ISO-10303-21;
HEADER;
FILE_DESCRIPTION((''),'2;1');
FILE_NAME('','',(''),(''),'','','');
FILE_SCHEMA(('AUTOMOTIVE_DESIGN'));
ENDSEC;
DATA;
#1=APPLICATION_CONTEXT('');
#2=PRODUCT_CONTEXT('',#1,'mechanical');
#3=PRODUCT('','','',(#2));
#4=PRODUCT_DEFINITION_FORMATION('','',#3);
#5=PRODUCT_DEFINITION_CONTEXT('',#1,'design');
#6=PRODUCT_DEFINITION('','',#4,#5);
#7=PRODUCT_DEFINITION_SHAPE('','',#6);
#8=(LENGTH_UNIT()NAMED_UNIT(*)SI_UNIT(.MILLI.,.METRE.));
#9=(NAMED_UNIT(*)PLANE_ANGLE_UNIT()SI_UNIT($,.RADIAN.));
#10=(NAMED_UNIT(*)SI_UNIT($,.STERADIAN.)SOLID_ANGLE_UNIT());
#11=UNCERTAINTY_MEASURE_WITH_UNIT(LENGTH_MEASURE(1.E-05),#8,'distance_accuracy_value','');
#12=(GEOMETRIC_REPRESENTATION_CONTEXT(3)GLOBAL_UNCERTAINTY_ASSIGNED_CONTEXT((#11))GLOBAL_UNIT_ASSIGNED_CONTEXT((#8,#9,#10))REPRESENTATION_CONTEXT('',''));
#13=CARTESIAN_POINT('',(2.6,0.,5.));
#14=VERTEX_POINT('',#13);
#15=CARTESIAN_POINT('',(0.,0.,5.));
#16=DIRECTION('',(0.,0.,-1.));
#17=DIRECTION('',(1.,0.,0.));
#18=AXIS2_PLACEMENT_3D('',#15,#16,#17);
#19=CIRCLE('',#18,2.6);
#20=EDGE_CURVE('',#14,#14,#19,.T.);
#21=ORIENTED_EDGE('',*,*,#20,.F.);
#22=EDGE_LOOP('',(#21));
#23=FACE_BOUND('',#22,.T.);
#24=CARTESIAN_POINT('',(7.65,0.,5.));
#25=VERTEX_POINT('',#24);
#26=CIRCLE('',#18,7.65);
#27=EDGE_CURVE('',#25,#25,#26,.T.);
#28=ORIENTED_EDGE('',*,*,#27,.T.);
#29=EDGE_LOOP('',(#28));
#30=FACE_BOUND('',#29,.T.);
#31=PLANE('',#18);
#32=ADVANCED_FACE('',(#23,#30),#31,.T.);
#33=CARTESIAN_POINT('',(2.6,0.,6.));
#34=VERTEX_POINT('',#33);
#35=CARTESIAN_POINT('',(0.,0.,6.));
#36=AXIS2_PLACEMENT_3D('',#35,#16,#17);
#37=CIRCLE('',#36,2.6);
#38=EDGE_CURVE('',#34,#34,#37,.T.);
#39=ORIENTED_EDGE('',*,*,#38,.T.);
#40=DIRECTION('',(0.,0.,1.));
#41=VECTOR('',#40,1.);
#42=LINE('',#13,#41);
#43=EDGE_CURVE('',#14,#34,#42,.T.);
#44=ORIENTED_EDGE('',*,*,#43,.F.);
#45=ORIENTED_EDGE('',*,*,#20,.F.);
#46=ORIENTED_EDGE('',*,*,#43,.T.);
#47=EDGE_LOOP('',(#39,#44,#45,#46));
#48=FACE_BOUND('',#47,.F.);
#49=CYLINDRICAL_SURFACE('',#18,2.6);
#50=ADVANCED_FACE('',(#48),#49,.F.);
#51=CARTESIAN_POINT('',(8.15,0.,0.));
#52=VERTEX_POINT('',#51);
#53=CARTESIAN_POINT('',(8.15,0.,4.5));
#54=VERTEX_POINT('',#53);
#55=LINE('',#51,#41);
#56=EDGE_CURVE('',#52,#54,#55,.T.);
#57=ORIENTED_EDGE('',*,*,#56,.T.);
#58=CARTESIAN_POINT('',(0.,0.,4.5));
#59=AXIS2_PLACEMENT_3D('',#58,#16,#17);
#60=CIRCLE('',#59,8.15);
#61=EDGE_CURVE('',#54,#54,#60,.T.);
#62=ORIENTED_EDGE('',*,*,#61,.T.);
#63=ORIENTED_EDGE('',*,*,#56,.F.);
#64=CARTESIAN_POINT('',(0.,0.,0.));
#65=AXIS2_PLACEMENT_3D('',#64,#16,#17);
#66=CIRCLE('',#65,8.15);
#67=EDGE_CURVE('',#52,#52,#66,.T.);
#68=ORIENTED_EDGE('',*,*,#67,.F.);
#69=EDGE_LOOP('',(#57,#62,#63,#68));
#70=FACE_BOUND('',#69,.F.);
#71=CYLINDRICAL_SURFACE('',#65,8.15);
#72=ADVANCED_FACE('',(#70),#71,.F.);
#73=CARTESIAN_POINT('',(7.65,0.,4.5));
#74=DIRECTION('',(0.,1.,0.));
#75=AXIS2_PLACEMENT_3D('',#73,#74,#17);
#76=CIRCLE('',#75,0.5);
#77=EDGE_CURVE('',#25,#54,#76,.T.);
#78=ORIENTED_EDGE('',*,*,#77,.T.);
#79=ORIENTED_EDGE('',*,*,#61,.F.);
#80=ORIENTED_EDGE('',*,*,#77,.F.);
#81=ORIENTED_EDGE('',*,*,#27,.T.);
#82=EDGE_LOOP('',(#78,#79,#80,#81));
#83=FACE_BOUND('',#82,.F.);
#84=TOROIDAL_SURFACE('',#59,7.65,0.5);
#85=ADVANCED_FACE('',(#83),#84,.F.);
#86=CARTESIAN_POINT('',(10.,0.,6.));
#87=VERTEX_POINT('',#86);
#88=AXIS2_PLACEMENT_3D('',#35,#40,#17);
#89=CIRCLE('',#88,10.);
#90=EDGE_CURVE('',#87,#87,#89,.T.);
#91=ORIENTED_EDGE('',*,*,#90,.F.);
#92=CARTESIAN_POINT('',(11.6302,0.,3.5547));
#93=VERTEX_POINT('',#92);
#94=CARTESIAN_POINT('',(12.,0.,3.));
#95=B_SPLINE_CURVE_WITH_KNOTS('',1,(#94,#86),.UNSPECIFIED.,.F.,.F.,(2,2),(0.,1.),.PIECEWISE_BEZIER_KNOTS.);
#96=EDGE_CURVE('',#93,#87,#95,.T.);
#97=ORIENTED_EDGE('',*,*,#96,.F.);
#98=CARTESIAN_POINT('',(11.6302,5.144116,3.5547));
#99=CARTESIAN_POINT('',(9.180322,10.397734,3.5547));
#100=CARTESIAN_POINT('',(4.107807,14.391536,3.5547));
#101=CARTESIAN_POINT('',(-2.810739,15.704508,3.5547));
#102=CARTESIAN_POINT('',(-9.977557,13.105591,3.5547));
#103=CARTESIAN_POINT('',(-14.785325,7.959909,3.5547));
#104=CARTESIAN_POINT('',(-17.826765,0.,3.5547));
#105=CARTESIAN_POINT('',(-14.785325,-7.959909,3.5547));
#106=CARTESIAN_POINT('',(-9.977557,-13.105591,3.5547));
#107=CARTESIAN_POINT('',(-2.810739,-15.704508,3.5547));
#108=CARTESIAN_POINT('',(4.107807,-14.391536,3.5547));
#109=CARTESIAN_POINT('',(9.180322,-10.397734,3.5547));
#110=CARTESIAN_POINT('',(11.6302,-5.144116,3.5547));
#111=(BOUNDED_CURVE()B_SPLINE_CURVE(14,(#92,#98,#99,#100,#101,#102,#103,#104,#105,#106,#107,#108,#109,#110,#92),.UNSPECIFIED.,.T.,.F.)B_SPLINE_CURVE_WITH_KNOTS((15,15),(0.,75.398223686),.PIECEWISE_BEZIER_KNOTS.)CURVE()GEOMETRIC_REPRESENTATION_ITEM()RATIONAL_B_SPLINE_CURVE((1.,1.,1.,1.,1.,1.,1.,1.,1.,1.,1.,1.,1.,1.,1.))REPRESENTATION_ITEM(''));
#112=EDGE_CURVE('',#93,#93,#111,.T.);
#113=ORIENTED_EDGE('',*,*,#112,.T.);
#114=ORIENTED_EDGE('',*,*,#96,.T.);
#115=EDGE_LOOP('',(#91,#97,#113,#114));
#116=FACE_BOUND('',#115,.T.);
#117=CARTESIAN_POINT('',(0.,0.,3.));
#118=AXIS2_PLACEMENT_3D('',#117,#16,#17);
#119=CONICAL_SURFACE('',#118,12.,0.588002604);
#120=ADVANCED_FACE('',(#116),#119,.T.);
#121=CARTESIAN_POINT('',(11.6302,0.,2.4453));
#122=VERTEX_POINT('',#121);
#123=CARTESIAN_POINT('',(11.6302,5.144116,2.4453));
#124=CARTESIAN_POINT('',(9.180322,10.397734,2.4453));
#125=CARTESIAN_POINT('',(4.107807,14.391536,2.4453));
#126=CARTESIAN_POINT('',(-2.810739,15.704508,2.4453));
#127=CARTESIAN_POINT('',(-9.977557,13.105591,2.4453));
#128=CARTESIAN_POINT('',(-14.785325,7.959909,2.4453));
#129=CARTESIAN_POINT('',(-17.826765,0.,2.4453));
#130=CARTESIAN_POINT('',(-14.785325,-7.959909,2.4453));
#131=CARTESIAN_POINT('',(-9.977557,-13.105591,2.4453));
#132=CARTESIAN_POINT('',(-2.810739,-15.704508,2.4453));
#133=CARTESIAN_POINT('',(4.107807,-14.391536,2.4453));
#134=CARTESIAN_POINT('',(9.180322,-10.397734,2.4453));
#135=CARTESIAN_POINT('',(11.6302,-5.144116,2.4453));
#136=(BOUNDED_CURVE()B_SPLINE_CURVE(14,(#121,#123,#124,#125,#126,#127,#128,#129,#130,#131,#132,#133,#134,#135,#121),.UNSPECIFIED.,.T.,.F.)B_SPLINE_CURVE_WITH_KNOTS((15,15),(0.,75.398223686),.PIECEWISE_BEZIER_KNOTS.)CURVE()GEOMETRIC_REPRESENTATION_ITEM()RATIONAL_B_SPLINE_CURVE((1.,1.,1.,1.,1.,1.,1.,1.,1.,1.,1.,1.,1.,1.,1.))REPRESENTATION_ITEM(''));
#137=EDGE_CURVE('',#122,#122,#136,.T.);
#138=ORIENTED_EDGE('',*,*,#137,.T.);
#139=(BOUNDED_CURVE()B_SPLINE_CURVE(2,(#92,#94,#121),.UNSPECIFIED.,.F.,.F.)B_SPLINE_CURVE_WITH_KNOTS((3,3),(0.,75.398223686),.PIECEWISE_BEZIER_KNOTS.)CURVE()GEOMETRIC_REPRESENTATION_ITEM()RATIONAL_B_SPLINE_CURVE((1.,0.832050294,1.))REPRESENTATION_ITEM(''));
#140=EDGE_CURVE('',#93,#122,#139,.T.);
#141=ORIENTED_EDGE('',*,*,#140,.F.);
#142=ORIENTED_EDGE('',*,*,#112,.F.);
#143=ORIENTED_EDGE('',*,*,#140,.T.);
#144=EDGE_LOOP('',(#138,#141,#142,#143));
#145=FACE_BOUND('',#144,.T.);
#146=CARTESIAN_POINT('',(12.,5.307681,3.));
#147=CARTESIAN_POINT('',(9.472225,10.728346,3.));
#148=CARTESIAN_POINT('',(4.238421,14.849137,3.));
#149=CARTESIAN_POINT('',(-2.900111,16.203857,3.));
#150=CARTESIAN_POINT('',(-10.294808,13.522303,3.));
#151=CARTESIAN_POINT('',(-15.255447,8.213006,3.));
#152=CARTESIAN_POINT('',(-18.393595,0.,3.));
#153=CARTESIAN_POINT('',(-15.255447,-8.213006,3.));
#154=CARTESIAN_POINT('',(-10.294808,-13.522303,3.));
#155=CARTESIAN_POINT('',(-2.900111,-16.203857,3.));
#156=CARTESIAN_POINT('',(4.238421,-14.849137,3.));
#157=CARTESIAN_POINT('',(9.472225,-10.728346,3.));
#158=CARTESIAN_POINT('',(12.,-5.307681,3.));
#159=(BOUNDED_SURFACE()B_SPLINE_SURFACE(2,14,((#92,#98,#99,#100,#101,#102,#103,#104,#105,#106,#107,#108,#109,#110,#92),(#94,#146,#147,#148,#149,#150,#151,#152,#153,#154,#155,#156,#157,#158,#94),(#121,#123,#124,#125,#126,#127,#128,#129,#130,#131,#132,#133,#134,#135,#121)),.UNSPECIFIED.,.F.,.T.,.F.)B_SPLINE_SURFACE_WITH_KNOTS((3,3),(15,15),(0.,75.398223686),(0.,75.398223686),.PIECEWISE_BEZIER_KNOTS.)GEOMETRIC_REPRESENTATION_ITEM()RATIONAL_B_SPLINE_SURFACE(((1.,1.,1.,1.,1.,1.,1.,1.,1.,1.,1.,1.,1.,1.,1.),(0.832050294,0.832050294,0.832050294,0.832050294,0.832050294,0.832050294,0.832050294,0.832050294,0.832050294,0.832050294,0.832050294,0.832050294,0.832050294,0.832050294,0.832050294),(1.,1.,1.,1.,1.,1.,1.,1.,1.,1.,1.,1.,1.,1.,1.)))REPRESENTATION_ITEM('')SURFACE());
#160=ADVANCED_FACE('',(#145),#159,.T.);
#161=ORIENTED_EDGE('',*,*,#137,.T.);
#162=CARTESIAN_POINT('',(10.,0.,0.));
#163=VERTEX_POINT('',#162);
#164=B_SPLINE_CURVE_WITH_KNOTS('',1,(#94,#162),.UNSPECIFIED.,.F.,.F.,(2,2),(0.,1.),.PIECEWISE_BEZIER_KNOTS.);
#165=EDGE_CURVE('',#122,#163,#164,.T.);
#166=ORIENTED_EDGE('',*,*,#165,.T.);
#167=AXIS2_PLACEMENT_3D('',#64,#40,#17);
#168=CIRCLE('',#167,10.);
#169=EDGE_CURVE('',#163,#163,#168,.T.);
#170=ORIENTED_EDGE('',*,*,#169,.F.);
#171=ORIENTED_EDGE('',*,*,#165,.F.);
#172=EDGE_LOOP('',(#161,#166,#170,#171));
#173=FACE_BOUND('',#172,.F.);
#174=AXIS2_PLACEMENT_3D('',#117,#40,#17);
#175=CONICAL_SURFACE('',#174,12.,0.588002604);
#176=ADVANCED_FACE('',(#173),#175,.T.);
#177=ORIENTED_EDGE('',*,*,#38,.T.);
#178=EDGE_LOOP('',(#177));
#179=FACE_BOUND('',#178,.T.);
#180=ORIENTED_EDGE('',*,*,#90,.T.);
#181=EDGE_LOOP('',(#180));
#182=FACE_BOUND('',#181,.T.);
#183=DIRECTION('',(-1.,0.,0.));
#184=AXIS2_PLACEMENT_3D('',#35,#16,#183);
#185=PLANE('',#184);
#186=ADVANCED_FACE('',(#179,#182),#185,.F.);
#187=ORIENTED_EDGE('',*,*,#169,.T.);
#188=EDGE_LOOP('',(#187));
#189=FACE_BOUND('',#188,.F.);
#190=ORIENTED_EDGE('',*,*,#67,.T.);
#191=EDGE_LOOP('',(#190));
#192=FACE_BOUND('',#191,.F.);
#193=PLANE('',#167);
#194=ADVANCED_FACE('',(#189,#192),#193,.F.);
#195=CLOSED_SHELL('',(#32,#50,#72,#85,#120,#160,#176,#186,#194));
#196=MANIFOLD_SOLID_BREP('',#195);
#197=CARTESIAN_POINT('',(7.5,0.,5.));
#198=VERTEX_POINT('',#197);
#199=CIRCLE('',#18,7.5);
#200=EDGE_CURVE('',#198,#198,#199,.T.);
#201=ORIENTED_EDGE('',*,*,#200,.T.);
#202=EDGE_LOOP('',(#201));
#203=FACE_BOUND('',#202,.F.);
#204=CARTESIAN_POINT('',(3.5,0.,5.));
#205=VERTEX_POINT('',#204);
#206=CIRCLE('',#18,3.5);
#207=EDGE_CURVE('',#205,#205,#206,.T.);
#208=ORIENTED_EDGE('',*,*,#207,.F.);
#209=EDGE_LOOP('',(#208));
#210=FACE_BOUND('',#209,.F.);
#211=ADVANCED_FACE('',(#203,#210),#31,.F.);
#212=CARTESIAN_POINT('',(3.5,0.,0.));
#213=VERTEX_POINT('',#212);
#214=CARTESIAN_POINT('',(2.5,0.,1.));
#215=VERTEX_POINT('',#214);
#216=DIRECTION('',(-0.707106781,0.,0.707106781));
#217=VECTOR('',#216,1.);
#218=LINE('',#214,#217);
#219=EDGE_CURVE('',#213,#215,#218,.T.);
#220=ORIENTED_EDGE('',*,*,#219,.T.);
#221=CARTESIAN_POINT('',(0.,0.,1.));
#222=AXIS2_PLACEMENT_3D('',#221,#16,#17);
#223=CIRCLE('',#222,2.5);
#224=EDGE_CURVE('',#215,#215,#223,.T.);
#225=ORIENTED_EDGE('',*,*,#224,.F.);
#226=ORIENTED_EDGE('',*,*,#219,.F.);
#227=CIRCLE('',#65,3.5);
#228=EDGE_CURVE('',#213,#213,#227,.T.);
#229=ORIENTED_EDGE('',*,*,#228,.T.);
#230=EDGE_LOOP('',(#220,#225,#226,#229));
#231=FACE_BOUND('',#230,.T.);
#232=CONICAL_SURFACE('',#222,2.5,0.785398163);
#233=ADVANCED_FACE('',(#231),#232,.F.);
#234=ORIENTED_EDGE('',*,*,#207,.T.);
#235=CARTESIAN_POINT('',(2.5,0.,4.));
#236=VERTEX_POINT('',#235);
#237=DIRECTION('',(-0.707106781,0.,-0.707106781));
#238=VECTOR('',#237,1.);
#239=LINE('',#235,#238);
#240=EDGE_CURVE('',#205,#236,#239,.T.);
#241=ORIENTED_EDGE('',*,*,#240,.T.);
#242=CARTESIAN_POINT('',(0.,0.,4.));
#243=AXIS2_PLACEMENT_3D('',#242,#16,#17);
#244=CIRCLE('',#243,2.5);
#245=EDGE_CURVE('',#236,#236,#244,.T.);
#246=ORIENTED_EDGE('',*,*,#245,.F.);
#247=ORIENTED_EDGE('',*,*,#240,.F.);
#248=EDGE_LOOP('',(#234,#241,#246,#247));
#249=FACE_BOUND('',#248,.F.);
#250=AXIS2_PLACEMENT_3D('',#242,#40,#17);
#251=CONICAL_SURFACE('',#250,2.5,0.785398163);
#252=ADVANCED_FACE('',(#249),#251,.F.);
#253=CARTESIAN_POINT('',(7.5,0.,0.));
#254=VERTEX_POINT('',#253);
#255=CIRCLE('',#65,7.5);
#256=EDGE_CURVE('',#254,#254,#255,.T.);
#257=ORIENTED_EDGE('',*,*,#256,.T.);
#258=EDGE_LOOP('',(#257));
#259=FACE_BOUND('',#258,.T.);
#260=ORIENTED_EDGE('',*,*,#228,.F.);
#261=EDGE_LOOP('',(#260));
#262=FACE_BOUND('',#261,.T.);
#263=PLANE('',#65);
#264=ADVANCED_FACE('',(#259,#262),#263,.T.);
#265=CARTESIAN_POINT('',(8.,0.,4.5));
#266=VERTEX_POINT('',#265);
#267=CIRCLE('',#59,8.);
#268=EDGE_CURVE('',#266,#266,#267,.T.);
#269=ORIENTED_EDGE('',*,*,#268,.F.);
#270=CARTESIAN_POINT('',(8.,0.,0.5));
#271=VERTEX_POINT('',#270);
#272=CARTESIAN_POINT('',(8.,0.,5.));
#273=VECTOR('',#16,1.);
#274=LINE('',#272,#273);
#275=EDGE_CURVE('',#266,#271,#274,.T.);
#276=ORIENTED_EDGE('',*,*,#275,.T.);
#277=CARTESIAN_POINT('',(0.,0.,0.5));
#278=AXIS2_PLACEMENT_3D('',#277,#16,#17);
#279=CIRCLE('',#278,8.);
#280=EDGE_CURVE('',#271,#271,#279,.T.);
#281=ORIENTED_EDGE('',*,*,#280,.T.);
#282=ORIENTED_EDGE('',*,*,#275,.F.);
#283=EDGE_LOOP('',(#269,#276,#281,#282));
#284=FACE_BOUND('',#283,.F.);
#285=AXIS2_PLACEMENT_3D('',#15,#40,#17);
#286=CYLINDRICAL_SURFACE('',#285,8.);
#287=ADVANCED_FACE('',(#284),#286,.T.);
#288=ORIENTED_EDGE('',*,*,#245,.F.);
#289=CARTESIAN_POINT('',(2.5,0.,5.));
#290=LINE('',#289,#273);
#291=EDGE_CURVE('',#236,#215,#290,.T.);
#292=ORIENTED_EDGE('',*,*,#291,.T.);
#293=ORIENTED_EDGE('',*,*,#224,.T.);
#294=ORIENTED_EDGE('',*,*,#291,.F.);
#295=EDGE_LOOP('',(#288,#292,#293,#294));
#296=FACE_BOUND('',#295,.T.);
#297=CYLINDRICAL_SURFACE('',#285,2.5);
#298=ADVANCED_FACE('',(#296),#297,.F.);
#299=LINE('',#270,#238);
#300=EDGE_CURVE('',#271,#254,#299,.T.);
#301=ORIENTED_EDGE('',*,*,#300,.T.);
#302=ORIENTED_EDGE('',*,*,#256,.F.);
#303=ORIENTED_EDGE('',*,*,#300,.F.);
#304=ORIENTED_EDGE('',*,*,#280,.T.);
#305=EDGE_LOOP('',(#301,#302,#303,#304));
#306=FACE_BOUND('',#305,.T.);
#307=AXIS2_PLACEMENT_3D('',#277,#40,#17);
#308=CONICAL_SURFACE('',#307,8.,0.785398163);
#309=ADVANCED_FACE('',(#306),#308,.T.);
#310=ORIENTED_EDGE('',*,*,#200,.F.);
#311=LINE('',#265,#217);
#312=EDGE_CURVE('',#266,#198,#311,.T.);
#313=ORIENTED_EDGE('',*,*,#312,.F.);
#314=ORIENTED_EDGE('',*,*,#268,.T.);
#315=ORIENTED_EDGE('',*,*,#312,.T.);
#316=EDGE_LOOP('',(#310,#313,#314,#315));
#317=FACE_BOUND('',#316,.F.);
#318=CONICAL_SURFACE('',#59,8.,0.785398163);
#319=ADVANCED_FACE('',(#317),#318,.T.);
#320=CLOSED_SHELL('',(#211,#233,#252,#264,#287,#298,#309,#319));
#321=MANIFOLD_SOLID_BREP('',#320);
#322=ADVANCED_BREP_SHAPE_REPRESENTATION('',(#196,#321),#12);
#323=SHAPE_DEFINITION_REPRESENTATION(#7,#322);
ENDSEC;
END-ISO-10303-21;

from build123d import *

# Parameters (mm, degrees)
F2_R      = 12
F0_R      = 10
F5_R      = 8.15
F6_DEPTH  = 5
F7_R      = 2.6
F8_DEPTH  = 1
F9_R      = 1
F10_R     = 0.5
F11_R     = 8
F11_R_2   = 2.5
F12_DEPTH = 5
F13_SIZE  = 0.5
F14_SIZE  = 1


with BuildPart() as f3:
    # F2 (on offset) → F3 section 0
    with BuildSketch(Plane.XY.offset(3)):
        Circle(F2_R)
    # F0 (on Top) → F3 section 1
    with BuildSketch(Plane.XY):
        Circle(F0_R)
    loft()

    # F4: F3 across plane


with BuildPart() as f3_1:
    add(f3.part)
    add(f3.part.mirror(Plane.XY.offset(3)))

    # F5 (on face) → F6 (cut)
    with BuildSketch(Plane(origin=(0, 0, 0), x_dir=(1, 0, 0), z_dir=(0, 0, -1))):
        Circle(F5_R)
    extrude(amount=-F6_DEPTH, mode=Mode.SUBTRACT)

    # F7 (on face) → F8 (cut, through all)
    with BuildSketch(Plane(origin=(0, 0, 5), x_dir=(1, 0, 0), z_dir=(0, 0, -1))):
        Circle(F7_R)
    extrude(amount=-F8_DEPTH, mode=Mode.SUBTRACT)

    # F9
    f9_edges = [f3_1.edges().sort_by_distance(p)[0] for p in [
        (-12, 0, 3),
    ]]
    fillet(f9_edges, radius=F9_R)

    # F10
    f10_edges = [f3_1.edges().sort_by_distance(p)[0] for p in [
        (-8.15, 0, 5),
    ]]
    fillet(f10_edges, radius=F10_R)


with BuildPart() as f12:
    # F11 (on face) → F12 (new body)
    with BuildSketch(Plane(origin=(0, 0, 5), x_dir=(1, 0, 0), z_dir=(0, 0, -1))):
        Circle(F11_R)
        Circle(F11_R_2, mode=Mode.SUBTRACT)
    extrude(amount=F12_DEPTH)

    # F13
    f13_edges = [f12.edges().sort_by_distance(p)[0] for p in [
        (-8, 0, 0),
        (-8, 0, 5),
    ]]
    chamfer(f13_edges, length=F13_SIZE)

    # F14
    f14_edges = [f12.edges().sort_by_distance(p)[0] for p in [
        (-2.5, 0, 0),
        (-2.5, 0, 5),
    ]]
    chamfer(f14_edges, length=F14_SIZE)


solid = Compound([f3_1.part, f12.part])
